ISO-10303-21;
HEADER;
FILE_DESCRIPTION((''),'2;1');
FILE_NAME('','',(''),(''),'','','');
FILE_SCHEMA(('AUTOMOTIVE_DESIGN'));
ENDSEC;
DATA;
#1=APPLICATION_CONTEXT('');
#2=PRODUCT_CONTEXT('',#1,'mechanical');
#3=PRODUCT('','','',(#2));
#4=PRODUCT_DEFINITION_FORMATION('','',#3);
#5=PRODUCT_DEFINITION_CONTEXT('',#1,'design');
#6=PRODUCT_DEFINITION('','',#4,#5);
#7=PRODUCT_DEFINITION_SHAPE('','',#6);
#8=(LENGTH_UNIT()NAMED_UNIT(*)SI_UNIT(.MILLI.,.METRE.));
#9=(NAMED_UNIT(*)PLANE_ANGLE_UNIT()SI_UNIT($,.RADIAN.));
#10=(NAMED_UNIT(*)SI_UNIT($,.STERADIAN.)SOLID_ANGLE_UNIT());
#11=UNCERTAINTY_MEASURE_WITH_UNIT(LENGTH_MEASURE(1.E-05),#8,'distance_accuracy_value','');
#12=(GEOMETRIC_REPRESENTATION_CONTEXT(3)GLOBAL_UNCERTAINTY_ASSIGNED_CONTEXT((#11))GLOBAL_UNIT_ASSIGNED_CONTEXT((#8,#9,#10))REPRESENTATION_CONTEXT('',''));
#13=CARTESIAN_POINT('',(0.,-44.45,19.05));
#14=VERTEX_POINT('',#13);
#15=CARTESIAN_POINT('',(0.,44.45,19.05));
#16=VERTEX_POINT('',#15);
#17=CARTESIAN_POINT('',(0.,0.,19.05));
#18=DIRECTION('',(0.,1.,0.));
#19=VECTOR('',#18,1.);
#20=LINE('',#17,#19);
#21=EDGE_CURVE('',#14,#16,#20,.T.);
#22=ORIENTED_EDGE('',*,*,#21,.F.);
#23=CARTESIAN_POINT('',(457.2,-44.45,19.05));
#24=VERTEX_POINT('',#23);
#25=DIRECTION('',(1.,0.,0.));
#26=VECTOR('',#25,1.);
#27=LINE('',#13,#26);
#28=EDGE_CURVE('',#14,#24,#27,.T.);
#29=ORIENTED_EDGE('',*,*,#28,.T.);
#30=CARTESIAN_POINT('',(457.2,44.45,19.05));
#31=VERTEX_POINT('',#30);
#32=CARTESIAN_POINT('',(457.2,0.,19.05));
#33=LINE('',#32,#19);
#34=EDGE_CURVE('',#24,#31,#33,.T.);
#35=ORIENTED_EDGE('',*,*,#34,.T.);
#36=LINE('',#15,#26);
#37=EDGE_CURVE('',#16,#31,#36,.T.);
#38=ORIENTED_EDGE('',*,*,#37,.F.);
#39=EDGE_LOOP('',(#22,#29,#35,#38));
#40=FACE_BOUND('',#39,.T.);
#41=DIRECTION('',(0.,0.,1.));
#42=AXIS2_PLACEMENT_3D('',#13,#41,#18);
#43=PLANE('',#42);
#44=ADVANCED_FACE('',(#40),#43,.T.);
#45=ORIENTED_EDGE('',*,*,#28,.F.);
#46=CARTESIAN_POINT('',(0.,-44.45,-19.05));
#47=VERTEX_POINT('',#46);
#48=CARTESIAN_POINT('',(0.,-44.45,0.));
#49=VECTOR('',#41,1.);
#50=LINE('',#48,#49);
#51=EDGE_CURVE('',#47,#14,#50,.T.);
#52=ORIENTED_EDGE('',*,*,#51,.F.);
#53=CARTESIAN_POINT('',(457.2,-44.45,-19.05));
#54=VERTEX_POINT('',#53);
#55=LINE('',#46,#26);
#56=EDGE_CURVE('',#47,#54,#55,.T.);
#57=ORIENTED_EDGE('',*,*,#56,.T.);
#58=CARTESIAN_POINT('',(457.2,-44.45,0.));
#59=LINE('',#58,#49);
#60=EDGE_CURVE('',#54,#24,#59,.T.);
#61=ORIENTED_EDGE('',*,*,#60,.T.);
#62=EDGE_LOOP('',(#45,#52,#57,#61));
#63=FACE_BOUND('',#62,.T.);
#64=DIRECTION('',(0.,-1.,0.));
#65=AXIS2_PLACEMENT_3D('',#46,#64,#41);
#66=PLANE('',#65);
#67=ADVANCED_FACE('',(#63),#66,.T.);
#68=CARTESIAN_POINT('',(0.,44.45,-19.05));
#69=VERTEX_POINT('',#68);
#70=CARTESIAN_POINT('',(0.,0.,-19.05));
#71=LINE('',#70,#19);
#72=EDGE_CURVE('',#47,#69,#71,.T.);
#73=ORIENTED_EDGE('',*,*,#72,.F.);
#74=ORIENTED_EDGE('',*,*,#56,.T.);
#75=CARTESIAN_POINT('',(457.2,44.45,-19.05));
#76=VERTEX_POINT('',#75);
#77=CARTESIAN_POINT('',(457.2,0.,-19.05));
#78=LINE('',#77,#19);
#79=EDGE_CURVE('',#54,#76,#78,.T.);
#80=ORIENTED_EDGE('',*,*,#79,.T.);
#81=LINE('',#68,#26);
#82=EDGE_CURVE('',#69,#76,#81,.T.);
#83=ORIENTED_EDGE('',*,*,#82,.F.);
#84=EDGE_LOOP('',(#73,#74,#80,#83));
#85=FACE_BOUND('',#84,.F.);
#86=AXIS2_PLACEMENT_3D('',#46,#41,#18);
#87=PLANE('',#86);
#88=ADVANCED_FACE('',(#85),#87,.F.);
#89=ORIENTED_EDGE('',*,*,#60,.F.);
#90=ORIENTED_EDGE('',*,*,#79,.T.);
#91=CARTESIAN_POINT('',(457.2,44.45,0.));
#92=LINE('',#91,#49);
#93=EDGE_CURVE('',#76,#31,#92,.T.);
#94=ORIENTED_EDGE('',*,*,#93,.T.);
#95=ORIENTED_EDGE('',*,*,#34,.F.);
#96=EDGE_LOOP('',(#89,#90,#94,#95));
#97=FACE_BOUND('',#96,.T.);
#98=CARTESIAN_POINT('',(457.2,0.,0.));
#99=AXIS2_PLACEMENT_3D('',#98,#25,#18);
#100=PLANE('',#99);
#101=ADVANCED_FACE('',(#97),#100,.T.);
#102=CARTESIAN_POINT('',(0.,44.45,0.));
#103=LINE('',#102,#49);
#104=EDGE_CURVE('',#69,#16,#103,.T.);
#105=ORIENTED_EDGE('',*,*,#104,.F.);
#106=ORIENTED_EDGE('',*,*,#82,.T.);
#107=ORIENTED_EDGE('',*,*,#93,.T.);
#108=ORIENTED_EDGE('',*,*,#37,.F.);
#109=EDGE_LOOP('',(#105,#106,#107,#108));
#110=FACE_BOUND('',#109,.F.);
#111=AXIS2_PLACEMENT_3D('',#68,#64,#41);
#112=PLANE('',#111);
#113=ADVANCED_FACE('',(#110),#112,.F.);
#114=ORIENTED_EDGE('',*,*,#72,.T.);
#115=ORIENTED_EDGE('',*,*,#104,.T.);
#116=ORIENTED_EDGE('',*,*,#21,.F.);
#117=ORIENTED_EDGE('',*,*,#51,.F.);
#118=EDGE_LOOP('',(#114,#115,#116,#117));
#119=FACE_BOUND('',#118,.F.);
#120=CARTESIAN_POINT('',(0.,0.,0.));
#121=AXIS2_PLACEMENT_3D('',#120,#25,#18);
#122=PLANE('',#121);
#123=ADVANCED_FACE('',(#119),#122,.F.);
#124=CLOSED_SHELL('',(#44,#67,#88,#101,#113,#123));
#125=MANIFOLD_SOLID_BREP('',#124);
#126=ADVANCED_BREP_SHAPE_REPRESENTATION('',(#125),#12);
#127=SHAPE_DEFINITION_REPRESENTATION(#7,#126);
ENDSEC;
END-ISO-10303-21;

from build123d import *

# Parameters (mm, degrees)
F0_W     = 88.9
F0_H     = 38.1
F1_DEPTH = 457.2


with BuildPart() as f1:
    # F0 (on Right) → F1 (new body)
    with BuildSketch(Plane.YZ):
        Rectangle(F0_W, F0_H)
    extrude(amount=F1_DEPTH)


solid = f1.part
